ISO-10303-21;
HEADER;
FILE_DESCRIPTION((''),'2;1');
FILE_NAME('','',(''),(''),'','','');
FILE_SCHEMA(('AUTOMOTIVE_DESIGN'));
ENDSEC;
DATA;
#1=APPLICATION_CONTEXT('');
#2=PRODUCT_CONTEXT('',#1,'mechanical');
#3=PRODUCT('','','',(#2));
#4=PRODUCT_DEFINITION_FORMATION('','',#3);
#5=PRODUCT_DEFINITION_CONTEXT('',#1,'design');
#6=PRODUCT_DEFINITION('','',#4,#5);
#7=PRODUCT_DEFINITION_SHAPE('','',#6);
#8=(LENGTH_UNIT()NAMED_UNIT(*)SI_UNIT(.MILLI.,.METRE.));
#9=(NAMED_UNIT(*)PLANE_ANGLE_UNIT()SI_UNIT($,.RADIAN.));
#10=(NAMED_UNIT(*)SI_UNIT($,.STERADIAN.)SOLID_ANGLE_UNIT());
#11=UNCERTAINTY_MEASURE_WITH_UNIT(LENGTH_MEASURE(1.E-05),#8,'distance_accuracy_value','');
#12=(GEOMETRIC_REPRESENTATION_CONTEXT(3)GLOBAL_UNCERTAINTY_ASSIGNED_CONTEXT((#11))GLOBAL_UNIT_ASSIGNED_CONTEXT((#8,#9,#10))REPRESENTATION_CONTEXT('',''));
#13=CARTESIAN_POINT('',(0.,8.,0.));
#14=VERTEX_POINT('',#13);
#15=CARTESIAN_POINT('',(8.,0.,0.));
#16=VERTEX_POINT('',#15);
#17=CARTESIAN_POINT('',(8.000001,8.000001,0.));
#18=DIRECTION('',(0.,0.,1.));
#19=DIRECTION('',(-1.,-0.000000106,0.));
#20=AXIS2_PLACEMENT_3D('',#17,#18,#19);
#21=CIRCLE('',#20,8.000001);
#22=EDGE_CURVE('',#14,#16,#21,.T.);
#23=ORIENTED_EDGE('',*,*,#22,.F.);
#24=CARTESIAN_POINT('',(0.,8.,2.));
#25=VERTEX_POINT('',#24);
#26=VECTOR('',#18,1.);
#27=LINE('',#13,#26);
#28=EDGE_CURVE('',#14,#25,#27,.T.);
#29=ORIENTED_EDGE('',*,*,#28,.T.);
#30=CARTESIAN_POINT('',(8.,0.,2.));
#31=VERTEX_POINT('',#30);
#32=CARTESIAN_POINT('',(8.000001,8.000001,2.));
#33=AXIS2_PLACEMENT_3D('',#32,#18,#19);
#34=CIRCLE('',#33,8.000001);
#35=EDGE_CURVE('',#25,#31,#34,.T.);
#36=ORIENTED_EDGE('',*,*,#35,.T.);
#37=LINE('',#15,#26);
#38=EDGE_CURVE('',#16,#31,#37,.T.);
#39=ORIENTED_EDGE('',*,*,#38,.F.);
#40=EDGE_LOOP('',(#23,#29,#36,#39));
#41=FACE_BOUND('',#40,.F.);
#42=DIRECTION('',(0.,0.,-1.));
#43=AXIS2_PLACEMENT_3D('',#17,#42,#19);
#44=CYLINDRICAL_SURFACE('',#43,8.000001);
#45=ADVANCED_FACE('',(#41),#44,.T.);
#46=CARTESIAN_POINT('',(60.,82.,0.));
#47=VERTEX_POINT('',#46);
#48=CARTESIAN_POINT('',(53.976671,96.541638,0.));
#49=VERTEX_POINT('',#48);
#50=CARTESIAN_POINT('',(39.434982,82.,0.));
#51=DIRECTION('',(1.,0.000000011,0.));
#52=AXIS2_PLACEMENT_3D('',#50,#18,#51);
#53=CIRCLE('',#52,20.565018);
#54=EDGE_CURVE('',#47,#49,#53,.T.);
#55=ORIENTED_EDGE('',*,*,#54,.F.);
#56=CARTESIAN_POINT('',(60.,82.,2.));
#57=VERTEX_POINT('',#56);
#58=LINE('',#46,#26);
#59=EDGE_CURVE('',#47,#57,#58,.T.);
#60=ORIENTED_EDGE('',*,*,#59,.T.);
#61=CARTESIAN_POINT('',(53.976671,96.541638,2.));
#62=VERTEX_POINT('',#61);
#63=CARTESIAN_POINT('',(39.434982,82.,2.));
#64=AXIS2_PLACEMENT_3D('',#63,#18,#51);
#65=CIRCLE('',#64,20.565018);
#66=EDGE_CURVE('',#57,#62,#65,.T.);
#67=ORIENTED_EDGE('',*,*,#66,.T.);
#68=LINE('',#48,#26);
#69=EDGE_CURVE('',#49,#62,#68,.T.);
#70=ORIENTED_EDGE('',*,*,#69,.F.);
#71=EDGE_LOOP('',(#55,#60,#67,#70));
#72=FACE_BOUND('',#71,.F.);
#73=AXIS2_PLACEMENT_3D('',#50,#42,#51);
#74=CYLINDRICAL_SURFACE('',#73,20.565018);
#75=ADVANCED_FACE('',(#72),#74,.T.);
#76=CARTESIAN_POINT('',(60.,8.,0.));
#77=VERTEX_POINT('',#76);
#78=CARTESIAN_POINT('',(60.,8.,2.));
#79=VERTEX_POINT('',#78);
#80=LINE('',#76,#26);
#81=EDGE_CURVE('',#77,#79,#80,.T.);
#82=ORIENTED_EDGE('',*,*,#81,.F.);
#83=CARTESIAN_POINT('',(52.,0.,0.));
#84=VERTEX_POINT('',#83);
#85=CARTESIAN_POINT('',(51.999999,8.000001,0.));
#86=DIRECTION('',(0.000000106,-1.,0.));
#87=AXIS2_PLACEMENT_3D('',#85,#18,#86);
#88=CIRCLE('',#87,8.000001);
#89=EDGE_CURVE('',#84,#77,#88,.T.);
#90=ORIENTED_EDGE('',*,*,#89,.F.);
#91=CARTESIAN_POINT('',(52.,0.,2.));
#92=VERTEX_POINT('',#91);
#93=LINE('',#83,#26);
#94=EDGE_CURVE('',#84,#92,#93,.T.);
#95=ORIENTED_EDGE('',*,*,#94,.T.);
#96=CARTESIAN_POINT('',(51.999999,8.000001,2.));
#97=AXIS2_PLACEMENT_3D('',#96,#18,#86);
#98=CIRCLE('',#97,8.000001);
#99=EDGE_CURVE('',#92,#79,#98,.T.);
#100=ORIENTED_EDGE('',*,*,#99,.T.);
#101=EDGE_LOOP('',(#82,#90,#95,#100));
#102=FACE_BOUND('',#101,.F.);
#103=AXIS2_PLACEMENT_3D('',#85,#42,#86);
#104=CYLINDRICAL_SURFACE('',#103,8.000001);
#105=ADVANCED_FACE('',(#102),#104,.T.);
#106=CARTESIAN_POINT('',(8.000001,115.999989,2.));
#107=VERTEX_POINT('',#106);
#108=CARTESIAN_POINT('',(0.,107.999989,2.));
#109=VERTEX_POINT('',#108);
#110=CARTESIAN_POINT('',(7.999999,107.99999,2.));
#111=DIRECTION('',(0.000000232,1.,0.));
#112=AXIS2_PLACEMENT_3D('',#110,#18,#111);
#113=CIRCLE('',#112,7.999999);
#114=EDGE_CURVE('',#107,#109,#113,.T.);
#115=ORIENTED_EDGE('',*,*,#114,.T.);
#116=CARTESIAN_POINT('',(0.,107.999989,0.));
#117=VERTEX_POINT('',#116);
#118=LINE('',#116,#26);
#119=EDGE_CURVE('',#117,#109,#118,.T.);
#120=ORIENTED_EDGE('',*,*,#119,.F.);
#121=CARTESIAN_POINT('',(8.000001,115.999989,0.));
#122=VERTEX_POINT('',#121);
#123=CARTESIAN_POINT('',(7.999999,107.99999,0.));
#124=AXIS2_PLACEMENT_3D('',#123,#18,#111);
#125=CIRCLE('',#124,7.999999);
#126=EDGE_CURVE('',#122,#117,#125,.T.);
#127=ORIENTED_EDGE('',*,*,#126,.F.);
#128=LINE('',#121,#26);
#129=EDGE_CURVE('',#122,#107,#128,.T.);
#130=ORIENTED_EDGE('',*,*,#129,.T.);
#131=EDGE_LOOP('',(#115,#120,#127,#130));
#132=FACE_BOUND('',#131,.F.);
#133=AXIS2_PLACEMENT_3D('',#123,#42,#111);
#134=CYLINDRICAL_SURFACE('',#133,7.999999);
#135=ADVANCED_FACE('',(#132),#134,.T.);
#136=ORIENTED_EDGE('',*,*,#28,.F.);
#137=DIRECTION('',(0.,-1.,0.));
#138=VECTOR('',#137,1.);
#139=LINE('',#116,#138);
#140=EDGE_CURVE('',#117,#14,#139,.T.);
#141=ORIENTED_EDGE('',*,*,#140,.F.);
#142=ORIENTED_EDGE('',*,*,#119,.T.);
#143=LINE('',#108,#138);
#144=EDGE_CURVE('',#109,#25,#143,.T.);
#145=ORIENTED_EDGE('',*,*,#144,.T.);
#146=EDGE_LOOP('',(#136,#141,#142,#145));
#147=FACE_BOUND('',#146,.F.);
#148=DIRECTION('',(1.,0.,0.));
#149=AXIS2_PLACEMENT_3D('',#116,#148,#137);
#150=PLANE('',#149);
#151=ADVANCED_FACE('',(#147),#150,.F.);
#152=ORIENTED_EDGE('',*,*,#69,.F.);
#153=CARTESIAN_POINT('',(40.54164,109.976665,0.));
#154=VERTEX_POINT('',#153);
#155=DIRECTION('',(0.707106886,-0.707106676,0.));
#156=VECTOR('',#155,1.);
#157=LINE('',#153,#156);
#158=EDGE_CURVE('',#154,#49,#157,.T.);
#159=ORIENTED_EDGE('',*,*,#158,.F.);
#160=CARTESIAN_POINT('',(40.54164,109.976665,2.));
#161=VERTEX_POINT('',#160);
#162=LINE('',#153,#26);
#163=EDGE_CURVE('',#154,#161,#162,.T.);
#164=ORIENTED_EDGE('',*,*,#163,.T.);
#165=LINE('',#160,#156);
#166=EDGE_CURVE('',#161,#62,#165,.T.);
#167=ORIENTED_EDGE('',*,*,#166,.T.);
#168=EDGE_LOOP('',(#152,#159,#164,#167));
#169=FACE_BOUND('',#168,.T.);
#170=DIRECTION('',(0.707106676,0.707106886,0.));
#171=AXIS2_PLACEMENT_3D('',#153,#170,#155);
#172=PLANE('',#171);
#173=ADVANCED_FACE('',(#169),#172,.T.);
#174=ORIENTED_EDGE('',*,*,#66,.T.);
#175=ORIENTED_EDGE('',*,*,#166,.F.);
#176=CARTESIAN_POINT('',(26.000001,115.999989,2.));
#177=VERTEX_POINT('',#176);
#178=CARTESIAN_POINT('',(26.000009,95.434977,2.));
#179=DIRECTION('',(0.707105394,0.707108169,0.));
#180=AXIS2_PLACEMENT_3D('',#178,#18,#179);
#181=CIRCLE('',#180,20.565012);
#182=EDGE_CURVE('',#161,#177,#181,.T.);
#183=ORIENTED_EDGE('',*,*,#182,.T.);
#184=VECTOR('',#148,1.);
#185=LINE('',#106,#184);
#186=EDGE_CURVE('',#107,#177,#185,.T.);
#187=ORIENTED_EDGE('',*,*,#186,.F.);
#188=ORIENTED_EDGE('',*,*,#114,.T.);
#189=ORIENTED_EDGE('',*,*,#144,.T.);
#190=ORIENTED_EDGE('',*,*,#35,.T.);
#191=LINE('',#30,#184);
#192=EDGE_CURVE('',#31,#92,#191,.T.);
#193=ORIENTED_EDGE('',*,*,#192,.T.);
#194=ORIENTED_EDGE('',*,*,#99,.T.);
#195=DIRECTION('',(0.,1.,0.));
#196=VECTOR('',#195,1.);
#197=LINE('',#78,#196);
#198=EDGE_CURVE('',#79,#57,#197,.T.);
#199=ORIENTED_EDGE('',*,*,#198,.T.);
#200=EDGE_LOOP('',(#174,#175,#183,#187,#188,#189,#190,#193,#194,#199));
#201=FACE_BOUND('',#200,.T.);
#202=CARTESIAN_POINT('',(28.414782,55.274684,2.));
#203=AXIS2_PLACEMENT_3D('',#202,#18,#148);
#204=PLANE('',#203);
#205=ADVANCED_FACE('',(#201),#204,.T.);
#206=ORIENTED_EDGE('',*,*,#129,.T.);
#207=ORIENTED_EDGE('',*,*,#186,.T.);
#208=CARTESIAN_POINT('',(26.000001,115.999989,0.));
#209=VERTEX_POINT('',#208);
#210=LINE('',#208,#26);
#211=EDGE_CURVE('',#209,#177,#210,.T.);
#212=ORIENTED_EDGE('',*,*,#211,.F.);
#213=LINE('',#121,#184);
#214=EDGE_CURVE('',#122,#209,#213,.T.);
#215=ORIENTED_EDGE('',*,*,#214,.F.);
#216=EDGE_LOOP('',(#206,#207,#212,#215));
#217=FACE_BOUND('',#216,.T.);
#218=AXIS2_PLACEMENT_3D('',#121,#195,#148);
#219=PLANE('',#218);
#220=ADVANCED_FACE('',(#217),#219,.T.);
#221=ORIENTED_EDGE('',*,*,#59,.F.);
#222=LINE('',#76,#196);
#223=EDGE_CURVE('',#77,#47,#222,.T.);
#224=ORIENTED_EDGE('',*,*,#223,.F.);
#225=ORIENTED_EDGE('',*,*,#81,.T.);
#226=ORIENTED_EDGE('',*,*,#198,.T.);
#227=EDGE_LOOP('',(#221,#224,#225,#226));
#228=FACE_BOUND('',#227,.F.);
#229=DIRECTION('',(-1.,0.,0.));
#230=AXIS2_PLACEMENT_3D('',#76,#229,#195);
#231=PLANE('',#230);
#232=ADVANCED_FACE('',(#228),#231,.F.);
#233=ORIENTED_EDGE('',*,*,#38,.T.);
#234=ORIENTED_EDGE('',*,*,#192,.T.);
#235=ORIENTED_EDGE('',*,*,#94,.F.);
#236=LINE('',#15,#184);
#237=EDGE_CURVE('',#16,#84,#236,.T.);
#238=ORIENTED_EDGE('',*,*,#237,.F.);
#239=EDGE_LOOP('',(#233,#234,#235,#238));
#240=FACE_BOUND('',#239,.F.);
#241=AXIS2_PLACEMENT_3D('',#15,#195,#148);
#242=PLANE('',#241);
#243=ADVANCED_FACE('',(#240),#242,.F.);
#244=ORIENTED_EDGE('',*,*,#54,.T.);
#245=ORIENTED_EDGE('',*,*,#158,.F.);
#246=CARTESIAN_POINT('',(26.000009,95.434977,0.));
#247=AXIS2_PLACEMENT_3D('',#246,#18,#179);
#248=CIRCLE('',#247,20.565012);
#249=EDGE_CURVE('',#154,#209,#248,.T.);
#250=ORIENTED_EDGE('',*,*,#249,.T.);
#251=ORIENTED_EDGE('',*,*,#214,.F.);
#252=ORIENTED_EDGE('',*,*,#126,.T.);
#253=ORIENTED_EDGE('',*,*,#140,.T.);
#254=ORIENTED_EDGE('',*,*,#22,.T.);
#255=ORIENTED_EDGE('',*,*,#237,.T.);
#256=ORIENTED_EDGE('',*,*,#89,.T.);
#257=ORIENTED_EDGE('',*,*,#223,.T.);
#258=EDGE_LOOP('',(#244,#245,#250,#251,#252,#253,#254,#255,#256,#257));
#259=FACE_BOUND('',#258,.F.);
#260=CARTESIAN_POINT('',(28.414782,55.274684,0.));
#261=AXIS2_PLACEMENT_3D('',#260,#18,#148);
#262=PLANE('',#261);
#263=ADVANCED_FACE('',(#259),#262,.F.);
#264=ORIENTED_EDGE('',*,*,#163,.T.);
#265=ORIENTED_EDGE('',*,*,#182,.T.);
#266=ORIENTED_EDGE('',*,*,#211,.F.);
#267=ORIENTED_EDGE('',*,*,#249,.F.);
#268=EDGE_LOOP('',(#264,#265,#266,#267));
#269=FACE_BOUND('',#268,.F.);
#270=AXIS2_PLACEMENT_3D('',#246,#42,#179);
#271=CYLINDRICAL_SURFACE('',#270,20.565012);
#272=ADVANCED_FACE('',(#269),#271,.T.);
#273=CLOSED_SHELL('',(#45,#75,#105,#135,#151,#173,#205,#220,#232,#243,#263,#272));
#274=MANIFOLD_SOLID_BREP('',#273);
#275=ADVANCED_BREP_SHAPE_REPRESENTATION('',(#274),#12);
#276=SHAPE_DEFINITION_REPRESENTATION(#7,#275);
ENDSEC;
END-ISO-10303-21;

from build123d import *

# Parameters (mm, degrees)
PAD_DEPTH = 2


with BuildPart() as part:
    # Sketch → Pad (new body)
    with BuildSketch(Plane.XY):
        with BuildLine():
            Line((60, 8), (60, 82))
            ThreePointArc((60, 82), (58.434588, 89.869875), (53.976671, 96.541638))
            Line((40.54164, 109.976665), (53.976671, 96.541638))
            ThreePointArc((40.54164, 109.976665), (33.869876, 114.43458), (26.000001, 115.999989))
            Line((8.000001, 115.999989), (26.000001, 115.999989))
            ThreePointArc((8.000001, 115.999989), (2.343146, 113.656844), (0, 107.999989))
            Line((0, 107.999989), (0, 8))
            ThreePointArc((0, 8), (2.343146, 2.343146), (8, 0))
            Line((8, 0), (52, 0))
            ThreePointArc((52, 0), (57.656854, 2.343146), (60, 8))
        make_face()
    extrude(amount=PAD_DEPTH)


solid = part.part
